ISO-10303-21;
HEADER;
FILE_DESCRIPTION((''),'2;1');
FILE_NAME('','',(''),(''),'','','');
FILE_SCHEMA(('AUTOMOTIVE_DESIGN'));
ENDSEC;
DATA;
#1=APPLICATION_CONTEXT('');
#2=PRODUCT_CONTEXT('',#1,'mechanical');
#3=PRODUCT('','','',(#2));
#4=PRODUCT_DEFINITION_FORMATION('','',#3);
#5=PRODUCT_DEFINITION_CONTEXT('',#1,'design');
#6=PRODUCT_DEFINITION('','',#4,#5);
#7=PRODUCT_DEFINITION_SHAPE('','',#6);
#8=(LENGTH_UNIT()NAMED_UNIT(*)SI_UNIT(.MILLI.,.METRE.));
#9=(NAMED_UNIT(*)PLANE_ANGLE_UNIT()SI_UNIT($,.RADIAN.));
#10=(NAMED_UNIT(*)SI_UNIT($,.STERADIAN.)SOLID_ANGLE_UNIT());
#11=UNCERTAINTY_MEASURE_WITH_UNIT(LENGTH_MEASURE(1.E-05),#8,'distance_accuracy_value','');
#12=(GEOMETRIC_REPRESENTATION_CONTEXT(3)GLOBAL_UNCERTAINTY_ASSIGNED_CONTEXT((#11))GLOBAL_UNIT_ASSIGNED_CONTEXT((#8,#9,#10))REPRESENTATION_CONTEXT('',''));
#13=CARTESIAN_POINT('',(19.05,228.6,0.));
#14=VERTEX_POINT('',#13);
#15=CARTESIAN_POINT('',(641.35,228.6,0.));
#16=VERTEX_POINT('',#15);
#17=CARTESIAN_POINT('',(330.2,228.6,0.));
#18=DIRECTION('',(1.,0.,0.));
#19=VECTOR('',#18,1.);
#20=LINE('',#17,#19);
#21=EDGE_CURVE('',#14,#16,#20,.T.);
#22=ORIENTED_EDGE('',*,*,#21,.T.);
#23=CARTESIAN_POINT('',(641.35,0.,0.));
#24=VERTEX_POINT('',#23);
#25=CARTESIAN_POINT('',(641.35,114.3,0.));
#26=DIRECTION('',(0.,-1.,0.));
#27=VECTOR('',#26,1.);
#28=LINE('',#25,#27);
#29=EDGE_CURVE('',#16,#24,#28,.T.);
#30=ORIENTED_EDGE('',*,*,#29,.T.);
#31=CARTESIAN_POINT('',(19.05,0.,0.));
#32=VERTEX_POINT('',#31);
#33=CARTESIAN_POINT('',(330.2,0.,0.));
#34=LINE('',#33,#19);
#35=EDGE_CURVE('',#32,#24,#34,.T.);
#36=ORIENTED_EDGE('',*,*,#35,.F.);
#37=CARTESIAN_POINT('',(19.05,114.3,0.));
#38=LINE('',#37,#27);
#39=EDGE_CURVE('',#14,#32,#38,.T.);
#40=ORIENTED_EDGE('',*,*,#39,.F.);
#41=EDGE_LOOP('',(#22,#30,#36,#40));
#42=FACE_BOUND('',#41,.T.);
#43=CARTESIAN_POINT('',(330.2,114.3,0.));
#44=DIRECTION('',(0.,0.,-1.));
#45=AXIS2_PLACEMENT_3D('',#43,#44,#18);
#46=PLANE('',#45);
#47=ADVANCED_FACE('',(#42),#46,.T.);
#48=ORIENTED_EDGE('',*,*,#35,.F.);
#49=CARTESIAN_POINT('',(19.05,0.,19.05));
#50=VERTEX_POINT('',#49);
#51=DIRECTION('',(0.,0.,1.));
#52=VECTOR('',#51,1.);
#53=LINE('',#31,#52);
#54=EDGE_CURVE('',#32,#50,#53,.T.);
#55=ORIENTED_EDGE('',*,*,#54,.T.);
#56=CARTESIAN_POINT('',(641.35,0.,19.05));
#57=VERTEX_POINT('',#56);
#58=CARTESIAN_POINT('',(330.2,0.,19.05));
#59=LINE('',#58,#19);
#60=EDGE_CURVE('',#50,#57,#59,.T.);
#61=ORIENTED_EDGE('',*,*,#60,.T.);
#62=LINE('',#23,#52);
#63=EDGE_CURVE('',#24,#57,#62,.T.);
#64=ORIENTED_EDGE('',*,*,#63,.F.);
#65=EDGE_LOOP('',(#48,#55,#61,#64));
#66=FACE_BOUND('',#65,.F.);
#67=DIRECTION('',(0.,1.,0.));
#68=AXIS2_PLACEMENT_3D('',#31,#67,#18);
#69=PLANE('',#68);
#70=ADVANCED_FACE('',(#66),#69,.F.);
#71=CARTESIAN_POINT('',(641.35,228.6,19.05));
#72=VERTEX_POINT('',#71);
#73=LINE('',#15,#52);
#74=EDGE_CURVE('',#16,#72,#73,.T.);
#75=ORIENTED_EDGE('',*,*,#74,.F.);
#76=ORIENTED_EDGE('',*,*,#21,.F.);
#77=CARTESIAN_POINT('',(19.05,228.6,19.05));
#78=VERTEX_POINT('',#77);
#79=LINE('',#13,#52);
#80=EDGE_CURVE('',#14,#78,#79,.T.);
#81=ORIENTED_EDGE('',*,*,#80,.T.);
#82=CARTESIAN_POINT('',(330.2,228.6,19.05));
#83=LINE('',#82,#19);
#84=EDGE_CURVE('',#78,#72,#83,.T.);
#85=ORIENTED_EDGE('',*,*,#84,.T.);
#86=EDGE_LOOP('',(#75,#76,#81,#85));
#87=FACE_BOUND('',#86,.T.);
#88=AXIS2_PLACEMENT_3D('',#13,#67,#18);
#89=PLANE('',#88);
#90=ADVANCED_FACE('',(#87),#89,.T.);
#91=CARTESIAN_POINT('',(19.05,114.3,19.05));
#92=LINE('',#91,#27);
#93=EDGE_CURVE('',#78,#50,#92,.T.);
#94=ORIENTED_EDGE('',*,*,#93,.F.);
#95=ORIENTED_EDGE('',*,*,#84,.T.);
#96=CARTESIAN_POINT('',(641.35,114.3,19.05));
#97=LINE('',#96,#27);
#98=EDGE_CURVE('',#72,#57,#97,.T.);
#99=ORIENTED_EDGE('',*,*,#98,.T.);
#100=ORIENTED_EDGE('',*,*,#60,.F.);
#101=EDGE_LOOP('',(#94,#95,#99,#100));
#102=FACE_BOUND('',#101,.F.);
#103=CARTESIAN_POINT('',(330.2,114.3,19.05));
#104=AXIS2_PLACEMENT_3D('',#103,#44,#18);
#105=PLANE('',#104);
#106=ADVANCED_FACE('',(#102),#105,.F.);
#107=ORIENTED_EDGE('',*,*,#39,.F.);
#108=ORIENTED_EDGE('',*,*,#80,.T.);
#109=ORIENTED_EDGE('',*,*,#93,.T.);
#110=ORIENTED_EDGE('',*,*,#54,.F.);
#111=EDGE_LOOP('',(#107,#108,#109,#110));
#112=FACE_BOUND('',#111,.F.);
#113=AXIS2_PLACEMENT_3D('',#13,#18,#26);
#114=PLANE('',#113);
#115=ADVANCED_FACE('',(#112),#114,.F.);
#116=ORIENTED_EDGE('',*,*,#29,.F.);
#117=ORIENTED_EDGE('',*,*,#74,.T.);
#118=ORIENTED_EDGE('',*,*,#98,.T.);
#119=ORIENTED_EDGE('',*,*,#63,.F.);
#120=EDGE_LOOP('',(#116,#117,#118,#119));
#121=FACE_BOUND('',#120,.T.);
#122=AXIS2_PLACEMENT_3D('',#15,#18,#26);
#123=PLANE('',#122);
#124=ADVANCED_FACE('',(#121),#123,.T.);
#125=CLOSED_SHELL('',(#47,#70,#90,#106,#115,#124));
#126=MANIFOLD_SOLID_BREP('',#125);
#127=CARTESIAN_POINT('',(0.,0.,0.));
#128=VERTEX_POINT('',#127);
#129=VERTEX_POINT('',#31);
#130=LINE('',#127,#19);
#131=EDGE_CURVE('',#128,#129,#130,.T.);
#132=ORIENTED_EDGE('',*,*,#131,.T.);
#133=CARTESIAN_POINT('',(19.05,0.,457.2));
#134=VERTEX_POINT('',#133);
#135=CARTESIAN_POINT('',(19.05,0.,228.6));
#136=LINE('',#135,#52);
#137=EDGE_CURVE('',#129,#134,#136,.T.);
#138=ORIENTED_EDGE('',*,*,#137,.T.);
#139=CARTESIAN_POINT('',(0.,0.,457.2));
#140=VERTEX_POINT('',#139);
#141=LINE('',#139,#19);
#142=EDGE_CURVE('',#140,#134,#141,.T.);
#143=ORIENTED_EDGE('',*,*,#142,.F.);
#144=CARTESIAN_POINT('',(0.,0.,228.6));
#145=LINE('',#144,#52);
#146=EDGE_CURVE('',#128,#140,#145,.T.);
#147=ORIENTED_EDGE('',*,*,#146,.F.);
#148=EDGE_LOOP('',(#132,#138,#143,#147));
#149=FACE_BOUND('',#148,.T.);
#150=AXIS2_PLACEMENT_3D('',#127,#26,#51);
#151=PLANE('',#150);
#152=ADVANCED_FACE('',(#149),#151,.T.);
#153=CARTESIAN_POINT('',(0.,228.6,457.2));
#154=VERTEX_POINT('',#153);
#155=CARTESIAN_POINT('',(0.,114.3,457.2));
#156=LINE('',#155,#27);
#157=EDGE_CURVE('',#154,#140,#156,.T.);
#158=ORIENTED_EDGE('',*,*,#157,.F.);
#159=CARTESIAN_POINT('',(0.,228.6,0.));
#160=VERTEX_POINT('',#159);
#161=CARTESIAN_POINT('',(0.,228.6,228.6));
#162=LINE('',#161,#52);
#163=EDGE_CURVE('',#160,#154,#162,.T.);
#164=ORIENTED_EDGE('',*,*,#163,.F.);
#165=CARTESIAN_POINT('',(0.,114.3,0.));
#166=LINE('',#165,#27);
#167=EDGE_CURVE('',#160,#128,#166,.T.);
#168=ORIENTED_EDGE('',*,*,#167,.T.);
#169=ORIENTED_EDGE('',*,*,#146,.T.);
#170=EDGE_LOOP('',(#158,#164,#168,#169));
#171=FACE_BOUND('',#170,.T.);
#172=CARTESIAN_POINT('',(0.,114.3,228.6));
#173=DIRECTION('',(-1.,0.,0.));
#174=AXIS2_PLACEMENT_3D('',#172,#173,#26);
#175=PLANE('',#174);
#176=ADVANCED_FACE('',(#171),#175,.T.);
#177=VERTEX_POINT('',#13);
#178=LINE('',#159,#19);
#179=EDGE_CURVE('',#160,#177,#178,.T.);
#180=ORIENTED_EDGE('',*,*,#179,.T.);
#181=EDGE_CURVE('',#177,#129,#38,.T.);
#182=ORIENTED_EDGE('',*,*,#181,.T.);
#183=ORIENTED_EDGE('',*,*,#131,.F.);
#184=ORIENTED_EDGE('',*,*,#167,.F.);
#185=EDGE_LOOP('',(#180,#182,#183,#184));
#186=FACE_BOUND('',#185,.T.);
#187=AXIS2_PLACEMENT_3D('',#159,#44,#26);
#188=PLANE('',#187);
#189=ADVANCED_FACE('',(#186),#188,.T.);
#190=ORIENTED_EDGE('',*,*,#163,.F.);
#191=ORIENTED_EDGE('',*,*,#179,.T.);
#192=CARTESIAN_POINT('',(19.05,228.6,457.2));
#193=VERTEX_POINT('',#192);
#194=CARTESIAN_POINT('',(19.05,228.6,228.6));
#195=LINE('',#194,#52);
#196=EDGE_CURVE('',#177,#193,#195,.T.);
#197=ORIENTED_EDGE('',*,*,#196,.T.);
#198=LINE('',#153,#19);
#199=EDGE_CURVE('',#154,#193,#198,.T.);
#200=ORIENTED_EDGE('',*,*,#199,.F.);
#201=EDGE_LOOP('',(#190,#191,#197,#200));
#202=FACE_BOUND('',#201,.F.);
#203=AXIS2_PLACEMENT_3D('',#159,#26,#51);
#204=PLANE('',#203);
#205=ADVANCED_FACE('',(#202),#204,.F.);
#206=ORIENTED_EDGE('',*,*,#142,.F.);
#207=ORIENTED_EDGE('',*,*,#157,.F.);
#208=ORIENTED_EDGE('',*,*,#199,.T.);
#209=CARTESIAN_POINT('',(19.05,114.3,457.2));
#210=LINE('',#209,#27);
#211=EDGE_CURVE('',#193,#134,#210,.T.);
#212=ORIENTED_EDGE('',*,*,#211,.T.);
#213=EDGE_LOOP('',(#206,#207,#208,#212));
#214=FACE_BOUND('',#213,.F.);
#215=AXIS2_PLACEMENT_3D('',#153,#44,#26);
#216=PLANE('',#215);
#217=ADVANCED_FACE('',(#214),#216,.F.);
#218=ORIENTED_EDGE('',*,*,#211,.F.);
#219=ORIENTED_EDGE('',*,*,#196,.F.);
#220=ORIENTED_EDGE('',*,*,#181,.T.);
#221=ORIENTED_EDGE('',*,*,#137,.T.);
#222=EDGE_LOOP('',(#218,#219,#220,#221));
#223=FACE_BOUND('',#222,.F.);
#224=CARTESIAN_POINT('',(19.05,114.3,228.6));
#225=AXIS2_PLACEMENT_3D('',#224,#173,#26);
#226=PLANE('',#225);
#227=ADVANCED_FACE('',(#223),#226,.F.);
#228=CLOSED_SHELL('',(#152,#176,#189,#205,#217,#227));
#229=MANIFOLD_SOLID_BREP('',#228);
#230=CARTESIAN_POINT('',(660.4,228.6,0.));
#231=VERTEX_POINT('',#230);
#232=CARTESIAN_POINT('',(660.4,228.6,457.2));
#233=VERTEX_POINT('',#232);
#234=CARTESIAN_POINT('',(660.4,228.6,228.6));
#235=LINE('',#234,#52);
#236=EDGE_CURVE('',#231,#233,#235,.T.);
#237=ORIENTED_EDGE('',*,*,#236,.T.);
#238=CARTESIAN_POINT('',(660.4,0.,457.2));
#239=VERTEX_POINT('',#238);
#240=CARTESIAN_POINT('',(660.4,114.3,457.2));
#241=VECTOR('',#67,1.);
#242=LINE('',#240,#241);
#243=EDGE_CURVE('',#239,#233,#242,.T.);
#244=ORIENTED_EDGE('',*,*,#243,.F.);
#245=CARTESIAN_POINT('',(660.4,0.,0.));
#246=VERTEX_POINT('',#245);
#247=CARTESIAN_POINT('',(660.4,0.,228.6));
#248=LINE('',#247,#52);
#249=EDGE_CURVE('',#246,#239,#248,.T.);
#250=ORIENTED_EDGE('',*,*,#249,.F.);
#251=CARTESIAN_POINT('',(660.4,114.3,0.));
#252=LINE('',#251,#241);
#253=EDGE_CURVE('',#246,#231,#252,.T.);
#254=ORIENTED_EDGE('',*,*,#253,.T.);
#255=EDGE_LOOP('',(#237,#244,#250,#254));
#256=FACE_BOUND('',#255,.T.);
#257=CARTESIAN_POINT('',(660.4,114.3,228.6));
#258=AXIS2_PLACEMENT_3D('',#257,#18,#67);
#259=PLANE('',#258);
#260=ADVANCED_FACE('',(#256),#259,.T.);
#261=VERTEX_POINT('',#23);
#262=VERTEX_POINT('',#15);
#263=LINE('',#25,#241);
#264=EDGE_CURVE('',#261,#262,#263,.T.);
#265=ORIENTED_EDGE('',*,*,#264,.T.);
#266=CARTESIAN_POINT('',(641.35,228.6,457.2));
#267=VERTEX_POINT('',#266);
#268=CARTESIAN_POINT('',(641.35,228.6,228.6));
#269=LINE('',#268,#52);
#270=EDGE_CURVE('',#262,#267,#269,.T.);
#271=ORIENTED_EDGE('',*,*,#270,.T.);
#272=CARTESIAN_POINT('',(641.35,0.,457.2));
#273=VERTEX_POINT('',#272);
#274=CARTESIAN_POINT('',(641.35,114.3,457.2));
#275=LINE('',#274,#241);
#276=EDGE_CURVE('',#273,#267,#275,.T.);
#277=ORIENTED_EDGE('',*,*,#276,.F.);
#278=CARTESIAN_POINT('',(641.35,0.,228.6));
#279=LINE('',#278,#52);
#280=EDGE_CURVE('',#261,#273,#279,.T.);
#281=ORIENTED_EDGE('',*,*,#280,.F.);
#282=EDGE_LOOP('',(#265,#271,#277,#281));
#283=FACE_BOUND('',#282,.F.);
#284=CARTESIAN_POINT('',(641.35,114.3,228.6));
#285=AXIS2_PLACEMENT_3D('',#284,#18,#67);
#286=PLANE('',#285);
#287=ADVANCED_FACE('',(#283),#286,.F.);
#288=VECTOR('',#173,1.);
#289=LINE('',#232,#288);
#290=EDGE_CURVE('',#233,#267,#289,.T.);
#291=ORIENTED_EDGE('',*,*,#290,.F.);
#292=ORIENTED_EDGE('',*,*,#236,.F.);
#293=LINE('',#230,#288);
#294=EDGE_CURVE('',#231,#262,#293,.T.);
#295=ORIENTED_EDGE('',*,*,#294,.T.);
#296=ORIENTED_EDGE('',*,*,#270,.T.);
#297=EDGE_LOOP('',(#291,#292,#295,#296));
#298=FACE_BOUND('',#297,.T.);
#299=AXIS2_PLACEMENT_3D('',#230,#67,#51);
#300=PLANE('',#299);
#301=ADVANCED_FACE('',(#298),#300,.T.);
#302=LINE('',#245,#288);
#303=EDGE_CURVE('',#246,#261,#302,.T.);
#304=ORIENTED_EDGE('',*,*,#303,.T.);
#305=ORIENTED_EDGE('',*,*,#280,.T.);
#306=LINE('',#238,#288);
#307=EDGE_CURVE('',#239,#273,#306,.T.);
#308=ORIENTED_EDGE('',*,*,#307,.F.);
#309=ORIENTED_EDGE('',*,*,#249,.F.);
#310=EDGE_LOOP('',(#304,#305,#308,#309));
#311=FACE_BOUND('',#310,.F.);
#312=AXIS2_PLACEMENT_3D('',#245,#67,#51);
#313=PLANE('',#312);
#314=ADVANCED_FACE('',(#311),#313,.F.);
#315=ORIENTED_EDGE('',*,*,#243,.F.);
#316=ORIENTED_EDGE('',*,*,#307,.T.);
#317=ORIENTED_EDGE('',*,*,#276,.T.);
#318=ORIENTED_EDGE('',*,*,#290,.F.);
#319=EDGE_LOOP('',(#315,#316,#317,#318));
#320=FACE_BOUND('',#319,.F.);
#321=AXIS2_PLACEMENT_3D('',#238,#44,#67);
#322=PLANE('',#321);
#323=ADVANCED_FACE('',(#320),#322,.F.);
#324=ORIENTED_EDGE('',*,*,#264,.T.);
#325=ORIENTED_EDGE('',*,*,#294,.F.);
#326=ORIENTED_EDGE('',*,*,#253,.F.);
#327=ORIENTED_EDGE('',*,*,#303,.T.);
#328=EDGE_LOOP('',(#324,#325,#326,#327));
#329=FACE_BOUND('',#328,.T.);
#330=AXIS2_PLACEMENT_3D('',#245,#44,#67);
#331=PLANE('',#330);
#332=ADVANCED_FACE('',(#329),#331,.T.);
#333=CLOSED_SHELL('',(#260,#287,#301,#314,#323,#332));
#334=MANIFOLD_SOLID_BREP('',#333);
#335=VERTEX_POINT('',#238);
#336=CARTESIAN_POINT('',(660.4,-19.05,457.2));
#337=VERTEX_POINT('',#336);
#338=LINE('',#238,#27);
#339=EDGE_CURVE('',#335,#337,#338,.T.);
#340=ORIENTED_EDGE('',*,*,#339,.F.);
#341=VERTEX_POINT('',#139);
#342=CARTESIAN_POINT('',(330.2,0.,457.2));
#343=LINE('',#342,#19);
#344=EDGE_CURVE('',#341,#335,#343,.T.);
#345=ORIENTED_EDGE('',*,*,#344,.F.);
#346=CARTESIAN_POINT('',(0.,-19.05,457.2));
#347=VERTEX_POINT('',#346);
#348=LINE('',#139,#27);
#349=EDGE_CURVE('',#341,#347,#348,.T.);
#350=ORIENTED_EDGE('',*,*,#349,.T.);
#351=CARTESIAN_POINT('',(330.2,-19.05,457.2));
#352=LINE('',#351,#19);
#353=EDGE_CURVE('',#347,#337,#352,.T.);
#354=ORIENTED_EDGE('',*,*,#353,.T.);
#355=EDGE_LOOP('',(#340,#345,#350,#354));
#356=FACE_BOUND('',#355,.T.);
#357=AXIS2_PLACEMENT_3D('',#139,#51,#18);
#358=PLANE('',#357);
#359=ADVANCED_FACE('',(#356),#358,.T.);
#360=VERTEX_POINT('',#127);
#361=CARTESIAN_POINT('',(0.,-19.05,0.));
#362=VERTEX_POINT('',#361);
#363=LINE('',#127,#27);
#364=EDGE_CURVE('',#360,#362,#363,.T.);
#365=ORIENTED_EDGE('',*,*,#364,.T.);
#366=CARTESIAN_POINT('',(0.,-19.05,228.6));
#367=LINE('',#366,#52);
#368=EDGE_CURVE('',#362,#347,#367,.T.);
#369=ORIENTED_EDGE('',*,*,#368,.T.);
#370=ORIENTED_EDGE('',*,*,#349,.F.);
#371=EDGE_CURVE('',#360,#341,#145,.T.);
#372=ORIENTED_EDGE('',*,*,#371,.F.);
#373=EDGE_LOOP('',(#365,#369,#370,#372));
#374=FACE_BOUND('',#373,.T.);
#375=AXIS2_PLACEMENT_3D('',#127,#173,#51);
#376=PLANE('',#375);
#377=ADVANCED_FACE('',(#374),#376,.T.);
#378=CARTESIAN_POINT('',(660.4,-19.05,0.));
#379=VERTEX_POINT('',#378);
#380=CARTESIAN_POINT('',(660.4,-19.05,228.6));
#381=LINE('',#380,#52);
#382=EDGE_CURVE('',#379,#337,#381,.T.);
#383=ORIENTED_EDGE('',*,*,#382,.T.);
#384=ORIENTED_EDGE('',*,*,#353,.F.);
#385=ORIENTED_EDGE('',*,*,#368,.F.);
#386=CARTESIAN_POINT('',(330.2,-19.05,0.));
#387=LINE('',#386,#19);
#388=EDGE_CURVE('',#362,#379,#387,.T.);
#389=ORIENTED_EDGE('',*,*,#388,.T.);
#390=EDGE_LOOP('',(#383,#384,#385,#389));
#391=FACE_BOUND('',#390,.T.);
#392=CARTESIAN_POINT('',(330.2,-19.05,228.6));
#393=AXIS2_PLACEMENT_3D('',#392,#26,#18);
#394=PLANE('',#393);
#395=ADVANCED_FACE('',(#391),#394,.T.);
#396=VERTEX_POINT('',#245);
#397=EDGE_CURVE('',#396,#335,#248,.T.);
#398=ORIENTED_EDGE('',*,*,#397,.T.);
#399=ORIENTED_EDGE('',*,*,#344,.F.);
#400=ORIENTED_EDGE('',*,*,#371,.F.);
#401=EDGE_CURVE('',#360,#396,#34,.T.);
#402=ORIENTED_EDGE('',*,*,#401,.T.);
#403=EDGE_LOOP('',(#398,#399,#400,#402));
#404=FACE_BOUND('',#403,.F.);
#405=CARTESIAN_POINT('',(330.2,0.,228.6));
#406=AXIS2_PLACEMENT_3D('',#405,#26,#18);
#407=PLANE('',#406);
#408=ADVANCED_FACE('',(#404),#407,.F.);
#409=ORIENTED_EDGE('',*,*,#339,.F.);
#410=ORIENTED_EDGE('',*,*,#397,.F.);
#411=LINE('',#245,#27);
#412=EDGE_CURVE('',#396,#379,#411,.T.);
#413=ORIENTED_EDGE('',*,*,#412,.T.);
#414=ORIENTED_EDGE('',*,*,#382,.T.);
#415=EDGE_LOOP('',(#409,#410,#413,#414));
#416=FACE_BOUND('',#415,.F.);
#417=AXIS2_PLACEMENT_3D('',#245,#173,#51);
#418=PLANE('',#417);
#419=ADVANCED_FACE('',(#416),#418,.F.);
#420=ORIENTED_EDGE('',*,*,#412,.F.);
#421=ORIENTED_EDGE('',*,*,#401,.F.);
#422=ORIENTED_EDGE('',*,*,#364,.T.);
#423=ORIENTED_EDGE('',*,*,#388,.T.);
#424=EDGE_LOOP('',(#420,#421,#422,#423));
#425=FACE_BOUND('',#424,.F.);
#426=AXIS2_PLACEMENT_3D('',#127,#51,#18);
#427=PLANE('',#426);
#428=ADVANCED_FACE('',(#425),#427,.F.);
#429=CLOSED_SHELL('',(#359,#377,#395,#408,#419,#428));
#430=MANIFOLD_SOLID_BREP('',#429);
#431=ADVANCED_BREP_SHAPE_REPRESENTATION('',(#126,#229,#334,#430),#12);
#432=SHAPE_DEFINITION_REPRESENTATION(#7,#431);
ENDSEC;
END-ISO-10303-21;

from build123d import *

# Parameters (mm, degrees)
F0_W     = 660.4
F0_H     = 457.2
F1_DEPTH = 19.05
F2_W     = 228.6
F2_H     = 457.2
F3_DEPTH = 19.05
F4_W     = 228.6
F4_H     = 457.2
F5_DEPTH = 19.05
F6_W     = 622.3
F6_H     = 228.6
F7_DEPTH = 19.05


with BuildPart() as f1:
    # F0 (on Front) → F1 (new body)
    with BuildSketch(Plane.XZ):
        with Locations((330.2, 228.6)):
            Rectangle(F0_W, F0_H)
    extrude(amount=F1_DEPTH)


with BuildPart() as f3:
    # F2 (on face) → F3 (new body)
    with BuildSketch(Plane.YZ.offset(660.4)):
        with Locations((114.3, 228.6)):
            Rectangle(F2_W, F2_H)
    extrude(amount=-F3_DEPTH)


with BuildPart() as f5:
    # F4 (on face) → F5 (new body)
    with BuildSketch(Plane(origin=(0, 0, 0), x_dir=(0, -1, 0), z_dir=(-1, 0, 0))):
        with Locations((-114.3, 228.6)):
            Rectangle(F4_W, F4_H)
    extrude(amount=-F5_DEPTH)


with BuildPart() as f7:
    # F6 (on face) → F7 (new body)
    with BuildSketch(Plane(origin=(0, 0, 0), x_dir=(1, 0, 0), z_dir=(0, 0, -1))):
        with Locations((330.2, -114.3)):
            Rectangle(F6_W, F6_H)
    extrude(amount=-F7_DEPTH)


solid = Compound([f1.part, f3.part, f5.part, f7.part])
